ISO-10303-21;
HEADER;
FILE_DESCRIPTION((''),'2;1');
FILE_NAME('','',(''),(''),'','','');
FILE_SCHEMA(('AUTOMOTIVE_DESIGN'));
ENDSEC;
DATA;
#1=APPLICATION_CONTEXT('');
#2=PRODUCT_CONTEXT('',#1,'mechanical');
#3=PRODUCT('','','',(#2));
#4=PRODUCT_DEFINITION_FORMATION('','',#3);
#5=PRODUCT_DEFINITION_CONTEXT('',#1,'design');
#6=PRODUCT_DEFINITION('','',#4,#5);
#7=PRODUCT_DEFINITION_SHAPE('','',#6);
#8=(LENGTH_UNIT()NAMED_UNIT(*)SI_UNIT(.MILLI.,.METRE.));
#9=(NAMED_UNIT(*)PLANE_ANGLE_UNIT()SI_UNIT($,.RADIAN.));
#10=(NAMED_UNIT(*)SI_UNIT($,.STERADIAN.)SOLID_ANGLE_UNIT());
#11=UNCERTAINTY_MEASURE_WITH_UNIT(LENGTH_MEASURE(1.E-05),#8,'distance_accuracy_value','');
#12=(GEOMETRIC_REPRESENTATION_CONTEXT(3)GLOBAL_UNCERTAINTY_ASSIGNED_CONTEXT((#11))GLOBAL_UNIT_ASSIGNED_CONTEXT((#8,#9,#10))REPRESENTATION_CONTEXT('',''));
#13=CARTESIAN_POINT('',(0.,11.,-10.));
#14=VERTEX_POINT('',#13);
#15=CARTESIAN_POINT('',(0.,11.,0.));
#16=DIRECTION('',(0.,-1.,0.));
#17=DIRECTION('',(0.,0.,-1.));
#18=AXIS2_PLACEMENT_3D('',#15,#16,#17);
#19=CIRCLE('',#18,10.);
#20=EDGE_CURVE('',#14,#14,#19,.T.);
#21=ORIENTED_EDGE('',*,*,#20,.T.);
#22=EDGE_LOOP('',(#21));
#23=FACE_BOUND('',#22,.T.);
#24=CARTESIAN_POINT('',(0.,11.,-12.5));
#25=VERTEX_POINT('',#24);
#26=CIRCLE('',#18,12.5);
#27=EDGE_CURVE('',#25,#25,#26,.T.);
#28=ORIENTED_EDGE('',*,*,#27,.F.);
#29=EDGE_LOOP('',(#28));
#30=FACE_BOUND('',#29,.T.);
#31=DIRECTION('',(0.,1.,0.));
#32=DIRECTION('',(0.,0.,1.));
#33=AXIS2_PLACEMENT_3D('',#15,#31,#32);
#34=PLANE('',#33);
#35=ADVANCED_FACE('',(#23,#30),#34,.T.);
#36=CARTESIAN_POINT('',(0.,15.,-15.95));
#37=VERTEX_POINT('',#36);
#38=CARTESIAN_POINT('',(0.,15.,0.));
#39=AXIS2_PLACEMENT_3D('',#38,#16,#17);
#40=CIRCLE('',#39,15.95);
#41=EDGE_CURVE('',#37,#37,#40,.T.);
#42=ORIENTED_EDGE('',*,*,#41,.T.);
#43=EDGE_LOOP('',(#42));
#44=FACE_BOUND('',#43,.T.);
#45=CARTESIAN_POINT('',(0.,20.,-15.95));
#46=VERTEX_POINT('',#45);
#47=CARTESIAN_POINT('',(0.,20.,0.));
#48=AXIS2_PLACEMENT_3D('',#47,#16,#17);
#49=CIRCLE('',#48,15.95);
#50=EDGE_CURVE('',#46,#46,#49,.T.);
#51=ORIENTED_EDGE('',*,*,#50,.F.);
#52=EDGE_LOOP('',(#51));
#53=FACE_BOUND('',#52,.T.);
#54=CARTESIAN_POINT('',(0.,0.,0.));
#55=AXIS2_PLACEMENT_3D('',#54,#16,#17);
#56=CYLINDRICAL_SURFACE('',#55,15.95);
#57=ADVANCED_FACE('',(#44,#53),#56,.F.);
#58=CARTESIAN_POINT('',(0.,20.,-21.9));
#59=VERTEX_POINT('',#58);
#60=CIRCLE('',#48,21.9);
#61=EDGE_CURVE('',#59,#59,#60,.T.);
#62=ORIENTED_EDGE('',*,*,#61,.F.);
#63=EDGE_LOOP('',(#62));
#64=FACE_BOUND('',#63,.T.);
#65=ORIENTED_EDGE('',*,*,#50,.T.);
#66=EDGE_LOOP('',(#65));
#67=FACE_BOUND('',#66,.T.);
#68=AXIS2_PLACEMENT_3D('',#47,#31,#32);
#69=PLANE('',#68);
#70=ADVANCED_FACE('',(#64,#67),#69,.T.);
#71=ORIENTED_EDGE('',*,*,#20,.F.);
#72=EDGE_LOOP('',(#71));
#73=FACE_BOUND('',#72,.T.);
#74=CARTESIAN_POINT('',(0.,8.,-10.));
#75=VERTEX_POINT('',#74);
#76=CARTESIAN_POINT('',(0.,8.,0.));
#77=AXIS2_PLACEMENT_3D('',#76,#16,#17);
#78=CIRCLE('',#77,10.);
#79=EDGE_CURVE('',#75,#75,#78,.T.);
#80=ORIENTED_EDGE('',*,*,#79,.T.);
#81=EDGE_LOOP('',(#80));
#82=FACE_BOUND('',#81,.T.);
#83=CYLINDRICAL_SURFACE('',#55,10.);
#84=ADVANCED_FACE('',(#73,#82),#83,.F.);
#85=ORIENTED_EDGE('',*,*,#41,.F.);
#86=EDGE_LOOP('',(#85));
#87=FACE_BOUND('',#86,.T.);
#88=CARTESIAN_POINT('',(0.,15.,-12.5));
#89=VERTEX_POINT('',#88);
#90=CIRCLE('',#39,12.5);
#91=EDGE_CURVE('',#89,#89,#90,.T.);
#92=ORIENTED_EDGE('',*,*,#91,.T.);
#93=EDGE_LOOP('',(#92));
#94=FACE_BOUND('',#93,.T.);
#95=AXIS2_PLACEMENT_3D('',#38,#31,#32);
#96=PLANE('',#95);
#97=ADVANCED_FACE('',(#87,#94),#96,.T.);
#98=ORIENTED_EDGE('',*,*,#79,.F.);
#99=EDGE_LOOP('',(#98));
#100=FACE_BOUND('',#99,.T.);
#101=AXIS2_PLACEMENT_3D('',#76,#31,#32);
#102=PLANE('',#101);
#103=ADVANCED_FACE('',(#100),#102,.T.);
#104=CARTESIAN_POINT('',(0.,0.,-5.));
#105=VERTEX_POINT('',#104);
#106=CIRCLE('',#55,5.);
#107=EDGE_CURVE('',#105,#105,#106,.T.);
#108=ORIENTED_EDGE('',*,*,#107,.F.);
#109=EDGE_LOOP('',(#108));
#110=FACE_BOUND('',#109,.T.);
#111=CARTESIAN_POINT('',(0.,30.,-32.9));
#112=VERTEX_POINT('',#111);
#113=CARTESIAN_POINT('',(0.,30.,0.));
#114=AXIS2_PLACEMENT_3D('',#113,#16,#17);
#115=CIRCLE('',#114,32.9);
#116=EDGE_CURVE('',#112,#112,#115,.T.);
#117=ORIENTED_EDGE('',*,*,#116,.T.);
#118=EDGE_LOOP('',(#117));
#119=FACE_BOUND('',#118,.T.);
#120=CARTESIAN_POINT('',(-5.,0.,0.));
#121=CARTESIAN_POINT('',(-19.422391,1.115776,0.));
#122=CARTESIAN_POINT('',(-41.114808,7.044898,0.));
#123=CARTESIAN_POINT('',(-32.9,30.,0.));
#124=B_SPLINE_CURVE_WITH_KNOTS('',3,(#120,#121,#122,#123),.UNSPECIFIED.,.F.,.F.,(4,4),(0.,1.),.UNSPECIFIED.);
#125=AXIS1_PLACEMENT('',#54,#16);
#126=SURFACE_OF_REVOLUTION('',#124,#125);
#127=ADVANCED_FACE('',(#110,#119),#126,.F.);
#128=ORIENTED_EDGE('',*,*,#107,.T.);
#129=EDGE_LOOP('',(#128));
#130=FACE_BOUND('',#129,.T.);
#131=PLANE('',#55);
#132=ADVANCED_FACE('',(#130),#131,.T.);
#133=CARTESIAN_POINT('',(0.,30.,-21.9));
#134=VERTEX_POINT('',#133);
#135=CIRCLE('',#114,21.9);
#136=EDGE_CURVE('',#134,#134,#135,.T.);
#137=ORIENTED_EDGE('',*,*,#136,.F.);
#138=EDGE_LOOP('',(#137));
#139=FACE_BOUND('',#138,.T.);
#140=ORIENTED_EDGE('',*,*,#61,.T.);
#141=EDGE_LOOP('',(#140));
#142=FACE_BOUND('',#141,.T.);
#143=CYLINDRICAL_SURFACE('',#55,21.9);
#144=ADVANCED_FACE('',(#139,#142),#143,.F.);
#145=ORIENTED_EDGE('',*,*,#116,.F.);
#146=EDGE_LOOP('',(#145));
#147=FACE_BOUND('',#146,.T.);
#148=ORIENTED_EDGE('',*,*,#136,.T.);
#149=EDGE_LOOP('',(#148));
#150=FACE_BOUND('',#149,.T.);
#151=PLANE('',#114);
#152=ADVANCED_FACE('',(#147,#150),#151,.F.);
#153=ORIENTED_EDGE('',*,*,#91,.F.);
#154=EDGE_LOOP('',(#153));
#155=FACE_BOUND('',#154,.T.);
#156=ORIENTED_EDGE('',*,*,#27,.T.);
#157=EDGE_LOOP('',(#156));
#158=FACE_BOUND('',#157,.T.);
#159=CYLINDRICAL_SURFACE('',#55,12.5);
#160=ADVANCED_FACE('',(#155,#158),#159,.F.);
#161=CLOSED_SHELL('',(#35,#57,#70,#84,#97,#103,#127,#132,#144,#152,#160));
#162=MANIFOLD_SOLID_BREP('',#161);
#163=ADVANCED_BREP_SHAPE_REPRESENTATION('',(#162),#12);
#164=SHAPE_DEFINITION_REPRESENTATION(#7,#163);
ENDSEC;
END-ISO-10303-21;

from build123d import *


with BuildPart() as part:
    # 스케치2 → 회전2 (revolve)
    with BuildSketch(Plane.XY, mode=Mode.PRIVATE) as revolve_2_sk:
        with BuildLine():
            add(Edge.make_bspline(
                [(-5, 0), (-19.422390958, 1.115775905), (-41.11480778, 7.04489841), (-32.9, 30)],
                knots=[0, 0, 0, 0, 1, 1, 1, 1], degree=3))
            Line((-32.9, 30), (-21.9, 30))
            Line((-21.9, 30), (-21.9, 20))
            Line((-21.9, 20), (-15.95, 20))
            Line((-15.95, 20), (-15.95, 15))
            Line((-15.95, 15), (-12.5, 15))
            Line((-12.5, 15), (-12.5, 11))
            Line((-12.5, 11), (-10, 11))
            Line((-10, 11), (-10, 8))
            Line((-10, 8), (0, 8))
            Line((0, 8), (0, 0))
            Line((0, 0), (-5, 0))
        make_face()
    revolve(revolve_2_sk.sketch.rotate(Axis((0, 0, 0), (0, 1, 0)), 270), axis=Axis((0, 0, 0), (0, 1, 0)))


solid = part.part
